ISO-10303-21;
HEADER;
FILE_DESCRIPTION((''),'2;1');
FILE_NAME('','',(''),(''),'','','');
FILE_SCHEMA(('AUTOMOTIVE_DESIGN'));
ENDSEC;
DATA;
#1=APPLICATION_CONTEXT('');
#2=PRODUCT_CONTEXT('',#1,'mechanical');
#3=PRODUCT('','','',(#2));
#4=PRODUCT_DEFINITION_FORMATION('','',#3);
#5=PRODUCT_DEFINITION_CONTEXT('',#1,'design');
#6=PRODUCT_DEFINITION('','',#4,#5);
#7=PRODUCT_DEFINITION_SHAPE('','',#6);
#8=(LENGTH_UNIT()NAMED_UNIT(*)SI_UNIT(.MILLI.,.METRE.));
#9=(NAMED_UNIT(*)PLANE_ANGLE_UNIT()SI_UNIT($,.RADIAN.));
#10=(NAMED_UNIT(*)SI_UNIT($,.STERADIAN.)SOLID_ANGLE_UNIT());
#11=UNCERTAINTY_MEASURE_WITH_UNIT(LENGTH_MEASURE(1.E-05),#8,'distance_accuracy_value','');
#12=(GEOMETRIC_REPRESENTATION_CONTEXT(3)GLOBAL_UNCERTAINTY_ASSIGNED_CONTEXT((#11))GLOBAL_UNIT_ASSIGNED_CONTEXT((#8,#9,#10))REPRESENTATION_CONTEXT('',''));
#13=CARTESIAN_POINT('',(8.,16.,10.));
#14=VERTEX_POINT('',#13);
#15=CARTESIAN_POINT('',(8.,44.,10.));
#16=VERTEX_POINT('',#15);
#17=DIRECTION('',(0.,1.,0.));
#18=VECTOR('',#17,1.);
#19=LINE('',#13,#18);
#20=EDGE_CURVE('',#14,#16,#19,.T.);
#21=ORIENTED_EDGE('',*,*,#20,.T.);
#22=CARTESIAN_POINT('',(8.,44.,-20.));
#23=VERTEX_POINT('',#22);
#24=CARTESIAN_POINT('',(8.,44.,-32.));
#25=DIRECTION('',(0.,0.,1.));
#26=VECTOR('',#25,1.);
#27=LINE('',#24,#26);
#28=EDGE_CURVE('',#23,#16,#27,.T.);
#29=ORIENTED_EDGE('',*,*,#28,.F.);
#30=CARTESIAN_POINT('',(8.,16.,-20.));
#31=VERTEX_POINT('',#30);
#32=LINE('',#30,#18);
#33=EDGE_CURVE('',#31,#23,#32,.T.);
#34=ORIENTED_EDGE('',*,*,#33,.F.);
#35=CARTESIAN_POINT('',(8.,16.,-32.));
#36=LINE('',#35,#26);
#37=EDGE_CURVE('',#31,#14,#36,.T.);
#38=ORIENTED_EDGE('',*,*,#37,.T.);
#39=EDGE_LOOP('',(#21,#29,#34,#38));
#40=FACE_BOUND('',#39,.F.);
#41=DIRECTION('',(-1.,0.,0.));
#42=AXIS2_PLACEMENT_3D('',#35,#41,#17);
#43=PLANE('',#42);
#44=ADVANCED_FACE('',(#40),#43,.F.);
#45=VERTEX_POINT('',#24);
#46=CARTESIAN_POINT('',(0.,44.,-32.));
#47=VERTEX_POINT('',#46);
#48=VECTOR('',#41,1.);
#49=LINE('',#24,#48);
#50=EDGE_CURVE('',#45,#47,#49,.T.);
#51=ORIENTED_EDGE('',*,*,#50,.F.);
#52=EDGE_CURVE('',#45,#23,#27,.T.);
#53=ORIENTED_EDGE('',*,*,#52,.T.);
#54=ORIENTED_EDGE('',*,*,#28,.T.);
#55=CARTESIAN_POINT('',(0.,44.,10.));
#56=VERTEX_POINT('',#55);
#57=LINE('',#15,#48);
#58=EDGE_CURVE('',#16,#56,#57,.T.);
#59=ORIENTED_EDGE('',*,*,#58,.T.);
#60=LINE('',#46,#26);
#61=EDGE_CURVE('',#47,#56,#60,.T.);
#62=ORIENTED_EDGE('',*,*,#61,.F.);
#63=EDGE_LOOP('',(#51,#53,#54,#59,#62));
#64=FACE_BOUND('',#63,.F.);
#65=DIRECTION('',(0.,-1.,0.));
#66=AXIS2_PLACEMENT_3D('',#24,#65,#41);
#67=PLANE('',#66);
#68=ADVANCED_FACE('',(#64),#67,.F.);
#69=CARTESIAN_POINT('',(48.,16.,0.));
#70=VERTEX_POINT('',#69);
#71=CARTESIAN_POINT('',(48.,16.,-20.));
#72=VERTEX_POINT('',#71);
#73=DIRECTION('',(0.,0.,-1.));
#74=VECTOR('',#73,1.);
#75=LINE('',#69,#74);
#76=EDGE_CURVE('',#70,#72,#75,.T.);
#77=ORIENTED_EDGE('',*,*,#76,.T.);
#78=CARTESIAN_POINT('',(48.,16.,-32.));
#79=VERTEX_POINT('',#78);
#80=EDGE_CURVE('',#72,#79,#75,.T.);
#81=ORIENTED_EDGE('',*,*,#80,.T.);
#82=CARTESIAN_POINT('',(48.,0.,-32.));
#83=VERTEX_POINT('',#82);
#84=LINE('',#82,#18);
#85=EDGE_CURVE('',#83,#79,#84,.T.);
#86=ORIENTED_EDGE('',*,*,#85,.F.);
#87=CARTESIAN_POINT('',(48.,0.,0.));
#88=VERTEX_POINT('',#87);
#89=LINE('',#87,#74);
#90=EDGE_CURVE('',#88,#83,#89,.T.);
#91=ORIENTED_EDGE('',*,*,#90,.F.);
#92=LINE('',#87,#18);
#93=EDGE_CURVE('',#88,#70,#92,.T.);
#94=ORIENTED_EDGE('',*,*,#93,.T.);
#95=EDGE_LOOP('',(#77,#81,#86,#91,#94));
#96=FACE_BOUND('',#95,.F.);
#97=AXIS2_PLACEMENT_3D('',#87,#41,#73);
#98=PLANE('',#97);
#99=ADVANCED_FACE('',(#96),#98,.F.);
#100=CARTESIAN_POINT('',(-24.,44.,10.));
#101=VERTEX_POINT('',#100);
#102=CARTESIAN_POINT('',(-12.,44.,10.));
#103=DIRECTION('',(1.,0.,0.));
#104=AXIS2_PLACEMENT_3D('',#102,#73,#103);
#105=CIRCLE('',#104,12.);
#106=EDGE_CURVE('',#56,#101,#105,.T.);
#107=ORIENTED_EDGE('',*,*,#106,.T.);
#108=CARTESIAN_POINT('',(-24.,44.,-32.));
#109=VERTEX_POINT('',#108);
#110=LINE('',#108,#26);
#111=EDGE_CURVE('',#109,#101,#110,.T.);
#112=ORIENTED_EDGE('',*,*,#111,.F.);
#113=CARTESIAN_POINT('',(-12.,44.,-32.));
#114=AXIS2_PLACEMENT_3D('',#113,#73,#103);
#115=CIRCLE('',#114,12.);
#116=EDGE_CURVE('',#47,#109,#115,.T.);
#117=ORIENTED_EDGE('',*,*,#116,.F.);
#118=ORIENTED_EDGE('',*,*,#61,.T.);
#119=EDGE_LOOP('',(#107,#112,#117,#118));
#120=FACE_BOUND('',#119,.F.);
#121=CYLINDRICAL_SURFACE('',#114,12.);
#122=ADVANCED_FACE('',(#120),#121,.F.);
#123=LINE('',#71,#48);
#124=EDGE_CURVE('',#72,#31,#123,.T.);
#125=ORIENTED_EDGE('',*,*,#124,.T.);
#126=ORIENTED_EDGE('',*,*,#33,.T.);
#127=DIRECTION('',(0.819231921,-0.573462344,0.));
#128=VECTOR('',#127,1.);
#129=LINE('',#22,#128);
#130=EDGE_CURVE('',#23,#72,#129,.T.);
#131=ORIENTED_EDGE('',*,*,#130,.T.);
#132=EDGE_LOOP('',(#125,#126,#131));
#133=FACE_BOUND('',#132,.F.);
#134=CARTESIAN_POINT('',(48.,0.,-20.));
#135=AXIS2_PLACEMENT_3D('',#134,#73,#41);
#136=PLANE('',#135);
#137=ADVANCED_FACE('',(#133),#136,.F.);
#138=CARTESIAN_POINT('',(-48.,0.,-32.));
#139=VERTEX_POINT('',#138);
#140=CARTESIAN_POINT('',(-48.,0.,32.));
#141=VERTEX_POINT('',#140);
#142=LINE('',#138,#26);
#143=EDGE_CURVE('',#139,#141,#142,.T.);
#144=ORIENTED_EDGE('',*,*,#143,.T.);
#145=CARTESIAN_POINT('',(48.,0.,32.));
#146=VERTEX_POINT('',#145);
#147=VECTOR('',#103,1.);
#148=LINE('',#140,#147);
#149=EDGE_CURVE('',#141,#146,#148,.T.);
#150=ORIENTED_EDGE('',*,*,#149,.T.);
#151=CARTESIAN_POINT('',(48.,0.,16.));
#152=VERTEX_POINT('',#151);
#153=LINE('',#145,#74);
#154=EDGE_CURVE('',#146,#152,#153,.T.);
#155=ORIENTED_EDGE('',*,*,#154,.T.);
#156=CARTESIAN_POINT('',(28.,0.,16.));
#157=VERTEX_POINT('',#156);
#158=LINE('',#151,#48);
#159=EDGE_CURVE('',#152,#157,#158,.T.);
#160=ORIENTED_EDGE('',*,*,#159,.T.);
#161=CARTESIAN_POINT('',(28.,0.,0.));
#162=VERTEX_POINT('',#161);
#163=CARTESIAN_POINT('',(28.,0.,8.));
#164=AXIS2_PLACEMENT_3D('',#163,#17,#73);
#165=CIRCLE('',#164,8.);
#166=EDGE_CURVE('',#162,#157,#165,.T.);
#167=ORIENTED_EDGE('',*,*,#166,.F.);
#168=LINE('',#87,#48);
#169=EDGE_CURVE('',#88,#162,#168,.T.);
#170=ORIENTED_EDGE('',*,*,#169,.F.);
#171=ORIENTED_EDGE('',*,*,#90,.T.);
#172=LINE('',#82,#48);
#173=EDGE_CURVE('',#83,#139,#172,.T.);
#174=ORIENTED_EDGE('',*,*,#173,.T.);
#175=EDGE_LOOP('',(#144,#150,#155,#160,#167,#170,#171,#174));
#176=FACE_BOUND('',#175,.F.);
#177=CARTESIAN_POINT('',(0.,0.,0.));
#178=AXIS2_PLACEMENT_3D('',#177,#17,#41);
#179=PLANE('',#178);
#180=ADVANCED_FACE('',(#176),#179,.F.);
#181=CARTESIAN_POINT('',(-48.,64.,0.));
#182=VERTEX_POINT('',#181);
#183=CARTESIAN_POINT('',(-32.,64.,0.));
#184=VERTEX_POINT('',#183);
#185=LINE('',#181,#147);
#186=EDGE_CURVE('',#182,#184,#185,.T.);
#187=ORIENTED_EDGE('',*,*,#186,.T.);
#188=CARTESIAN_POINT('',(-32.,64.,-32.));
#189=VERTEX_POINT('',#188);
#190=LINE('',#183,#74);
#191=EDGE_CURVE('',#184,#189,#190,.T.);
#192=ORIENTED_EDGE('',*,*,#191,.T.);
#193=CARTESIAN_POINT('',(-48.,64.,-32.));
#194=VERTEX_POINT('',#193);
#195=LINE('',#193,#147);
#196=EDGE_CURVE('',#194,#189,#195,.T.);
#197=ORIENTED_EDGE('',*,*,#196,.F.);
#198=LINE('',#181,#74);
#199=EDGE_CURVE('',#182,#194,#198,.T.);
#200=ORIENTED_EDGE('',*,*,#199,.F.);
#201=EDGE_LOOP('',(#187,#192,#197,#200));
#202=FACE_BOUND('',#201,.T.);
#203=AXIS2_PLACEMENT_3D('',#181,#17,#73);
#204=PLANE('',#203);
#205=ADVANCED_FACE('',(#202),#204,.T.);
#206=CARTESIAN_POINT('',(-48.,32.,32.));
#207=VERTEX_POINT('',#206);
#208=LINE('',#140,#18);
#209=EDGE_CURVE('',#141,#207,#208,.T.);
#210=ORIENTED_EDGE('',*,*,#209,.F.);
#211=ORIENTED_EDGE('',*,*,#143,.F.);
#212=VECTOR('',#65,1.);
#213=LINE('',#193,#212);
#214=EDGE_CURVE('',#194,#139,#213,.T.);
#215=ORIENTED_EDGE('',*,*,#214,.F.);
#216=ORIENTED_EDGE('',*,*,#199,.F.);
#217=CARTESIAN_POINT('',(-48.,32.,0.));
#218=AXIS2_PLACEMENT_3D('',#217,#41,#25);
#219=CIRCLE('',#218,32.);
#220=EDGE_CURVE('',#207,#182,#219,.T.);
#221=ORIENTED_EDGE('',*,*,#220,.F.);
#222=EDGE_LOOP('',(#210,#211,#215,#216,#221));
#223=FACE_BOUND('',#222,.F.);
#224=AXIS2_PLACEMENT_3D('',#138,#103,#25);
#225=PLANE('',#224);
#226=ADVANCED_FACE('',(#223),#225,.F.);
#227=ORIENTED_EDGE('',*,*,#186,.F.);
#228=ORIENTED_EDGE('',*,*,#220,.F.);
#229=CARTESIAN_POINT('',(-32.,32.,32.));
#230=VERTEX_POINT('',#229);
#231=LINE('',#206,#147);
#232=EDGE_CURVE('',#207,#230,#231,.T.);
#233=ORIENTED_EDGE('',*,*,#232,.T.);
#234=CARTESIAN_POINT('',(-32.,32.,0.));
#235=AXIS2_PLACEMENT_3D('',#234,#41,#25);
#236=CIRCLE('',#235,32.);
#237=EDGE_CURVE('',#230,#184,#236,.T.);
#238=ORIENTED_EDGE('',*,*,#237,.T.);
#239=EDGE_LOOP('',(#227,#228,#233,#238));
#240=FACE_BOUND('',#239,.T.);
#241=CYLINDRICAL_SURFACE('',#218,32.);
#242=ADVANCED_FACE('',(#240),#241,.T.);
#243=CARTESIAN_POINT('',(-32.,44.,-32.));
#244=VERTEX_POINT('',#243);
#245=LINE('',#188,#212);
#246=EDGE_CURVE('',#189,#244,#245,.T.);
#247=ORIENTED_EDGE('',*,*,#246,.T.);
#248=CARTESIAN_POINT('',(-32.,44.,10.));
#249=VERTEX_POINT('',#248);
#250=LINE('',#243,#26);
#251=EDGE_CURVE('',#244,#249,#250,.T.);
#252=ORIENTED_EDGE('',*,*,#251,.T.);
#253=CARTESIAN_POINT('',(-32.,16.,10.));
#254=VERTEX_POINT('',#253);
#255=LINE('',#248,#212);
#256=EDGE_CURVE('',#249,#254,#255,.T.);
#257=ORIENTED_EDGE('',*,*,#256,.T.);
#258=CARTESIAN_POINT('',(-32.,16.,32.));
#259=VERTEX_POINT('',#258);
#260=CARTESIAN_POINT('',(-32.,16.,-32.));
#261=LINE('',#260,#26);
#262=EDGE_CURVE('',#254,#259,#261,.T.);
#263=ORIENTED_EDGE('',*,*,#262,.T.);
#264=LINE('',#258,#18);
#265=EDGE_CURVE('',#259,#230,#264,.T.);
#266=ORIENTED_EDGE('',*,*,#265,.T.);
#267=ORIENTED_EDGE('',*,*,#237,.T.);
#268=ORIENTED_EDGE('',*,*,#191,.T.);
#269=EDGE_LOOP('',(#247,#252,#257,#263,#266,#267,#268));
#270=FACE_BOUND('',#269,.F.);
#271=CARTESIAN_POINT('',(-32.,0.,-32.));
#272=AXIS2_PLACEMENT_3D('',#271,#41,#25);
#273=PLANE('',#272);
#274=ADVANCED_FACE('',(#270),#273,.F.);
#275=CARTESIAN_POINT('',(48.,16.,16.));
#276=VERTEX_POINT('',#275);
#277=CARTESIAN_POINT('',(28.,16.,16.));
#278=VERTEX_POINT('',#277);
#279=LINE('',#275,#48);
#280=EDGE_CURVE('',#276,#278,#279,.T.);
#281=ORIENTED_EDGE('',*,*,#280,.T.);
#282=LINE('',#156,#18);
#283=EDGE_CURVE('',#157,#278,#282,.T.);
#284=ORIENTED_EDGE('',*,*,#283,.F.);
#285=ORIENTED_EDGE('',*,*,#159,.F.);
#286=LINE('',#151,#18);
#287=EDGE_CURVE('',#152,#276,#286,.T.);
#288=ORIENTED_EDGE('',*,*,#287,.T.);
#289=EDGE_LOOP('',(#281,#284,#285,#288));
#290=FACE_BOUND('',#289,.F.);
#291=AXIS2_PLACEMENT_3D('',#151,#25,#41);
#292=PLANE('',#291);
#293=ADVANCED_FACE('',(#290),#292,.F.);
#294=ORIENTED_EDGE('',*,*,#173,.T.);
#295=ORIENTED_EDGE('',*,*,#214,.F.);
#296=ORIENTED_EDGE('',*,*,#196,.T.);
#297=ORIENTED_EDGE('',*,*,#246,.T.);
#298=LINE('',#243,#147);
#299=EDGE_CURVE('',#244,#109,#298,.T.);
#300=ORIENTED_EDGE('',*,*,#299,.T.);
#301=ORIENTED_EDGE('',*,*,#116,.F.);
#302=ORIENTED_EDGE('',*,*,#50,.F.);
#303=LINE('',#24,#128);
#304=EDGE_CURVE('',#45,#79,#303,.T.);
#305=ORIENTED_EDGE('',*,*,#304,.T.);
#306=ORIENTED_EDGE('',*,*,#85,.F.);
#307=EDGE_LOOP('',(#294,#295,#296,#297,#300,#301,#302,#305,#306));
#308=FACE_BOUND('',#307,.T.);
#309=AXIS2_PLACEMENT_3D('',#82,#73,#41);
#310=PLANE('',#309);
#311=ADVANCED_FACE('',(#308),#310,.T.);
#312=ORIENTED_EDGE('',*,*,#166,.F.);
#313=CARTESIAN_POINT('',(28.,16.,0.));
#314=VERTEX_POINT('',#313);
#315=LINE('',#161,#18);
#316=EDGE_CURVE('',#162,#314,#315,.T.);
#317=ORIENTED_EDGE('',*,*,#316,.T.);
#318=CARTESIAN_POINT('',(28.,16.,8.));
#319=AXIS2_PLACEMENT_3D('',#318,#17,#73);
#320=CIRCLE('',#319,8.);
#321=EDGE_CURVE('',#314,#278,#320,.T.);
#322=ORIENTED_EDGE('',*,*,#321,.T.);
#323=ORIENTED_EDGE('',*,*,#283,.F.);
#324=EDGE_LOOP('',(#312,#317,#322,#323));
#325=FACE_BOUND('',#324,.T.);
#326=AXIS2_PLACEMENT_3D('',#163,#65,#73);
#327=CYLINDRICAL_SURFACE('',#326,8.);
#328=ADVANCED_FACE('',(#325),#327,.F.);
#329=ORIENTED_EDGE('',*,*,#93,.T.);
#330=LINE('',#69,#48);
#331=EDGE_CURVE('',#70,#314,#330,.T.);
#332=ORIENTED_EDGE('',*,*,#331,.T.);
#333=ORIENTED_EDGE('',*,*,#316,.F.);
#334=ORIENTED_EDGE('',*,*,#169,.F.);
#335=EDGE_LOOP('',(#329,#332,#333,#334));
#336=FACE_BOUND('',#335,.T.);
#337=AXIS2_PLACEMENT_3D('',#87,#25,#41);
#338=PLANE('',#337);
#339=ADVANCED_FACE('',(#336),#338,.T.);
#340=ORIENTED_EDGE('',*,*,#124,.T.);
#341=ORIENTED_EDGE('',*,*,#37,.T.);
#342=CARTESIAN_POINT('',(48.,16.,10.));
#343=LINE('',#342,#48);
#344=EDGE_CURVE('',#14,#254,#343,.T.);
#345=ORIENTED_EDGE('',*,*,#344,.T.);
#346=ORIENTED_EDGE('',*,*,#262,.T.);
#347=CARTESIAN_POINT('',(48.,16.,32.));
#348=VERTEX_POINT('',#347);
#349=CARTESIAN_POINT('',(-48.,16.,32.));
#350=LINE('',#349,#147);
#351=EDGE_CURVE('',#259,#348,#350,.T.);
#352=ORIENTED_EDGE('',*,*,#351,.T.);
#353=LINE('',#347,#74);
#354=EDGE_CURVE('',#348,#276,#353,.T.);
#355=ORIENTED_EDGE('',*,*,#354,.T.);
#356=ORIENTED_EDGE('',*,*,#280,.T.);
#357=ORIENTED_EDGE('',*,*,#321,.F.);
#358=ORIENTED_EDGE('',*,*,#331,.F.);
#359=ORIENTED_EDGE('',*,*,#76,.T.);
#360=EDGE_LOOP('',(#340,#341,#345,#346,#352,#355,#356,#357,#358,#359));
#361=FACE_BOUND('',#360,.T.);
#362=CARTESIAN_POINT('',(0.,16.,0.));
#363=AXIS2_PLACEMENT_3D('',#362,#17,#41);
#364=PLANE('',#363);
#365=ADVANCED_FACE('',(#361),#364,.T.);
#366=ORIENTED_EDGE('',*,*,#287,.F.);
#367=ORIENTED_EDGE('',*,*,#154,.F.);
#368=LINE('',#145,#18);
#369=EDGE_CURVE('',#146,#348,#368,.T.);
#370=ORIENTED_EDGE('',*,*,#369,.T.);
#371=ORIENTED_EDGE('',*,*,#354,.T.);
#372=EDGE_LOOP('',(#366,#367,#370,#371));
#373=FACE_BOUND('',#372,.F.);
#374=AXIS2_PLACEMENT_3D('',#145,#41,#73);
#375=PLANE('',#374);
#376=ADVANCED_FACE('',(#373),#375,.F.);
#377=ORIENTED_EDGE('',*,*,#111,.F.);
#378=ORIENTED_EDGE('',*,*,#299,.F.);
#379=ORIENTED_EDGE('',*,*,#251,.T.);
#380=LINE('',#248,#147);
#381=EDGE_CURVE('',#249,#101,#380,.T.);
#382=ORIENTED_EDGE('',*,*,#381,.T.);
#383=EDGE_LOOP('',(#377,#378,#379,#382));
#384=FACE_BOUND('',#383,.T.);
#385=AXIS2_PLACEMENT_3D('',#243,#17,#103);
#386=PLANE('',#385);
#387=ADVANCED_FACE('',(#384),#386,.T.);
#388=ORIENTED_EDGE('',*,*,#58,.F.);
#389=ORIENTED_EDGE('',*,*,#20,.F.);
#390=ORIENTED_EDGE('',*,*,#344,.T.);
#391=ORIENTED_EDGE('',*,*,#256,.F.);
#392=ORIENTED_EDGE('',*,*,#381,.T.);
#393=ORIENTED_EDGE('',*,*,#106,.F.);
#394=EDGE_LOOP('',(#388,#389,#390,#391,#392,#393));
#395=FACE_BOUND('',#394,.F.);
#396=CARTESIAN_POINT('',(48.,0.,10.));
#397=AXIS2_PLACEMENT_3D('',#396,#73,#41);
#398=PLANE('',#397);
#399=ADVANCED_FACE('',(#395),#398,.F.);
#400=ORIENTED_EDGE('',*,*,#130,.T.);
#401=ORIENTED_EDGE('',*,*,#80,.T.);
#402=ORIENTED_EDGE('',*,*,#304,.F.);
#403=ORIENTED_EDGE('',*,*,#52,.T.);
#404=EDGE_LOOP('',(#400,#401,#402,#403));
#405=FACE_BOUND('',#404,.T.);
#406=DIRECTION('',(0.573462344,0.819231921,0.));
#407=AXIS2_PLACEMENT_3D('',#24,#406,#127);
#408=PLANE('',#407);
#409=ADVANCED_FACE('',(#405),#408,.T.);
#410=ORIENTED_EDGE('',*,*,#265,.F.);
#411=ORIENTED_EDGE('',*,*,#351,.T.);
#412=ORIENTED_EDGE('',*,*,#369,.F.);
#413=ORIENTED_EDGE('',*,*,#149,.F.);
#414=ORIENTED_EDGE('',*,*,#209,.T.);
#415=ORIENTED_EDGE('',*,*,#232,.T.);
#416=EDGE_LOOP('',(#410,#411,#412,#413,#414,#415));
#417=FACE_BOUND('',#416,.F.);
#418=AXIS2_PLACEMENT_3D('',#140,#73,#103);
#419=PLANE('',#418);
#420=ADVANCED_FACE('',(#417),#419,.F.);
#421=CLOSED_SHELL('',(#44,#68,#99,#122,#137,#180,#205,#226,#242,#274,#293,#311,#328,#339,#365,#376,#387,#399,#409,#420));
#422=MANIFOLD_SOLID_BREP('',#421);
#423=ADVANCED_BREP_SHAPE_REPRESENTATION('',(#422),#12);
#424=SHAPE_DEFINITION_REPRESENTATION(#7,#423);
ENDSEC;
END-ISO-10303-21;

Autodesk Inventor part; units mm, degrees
ref_plane "YZ Plane" through (0, 0, 0) normal (1, 0, 0) x (0, 1, 0)
ref_plane "XZ Plane" through (0, 0, 0) normal (0, 1, 0) x (-1, 0, 0)
ref_plane "XY Plane" through (0, 0, 0) normal (0, 0, 1) x (1, 0, 0)
sketch "Náčrt1" plane through (0, 0, 0) normal (0, 1, 0) x (-1, 0, 0)
  line L0 (48, 32) -> (-48, 32)
  line L1 (-48, -32) -> (48, -32)
  line L2 (48, -32) -> (48, 32)
  line L3 (48, 32) -> (-48, -32) construction
  line L4 (-48, 32) -> (48, -32) construction
  line L5 (-48, 32) -> (-48, 16)
  line L6 (-48, 16) -> (-28, 16)
  line L7 (-48, 0) -> (-48, -32)
  line L8 (-48, 0) -> (-28, 0)
  arc A0 (-28, 0) -> (-28, 16) centre (-28, 8) ccw
  point P0 (0, 0)
  dimension "d0" = 96
  dimension "d1" = 16
  dimension "d2" = 20
  dimension "d3" = 16
  dimension "d4" = 8
  dimension "d5" = 64
  dimension "d6" = 8
  dimension "d9" = 76
  dimension "d10" = 76
extrude "Vysunutí1" add sketch "Náčrt1" along normal blind 16
sketch "Náčrt3" plane through (-48, 0, -32) normal (-1, 0, 0) x (0, 0, 1)
  line L0 (32, 16) -> (0, 16) projected
  line L1 (0, 16) -> (64, 16)
  line L2 (64, 16) -> (64, 32)
  line L3 (32, 64) -> (0, 64)
  line L4 (0, 64) -> (0, 16)
  arc A0 (64, 32) -> (32, 64) centre (32, 32) ccw
  point P0 (32, 0)
  point P1 (64, 64)
  dimension "d13" = 48
  dimension "d14" = 64
  dimension "d15" = 32
extrude "Vysunutí2" add sketch "Náčrt3" against normal blind 16
sketch "Náčrt4" plane through (48, 0, -32) normal (0, 0, -1) x (-1, 0, 0)
  line L0 (0, 16) -> (80, 16) projected
  line L1 (80, 16) -> (40, 16)
  line L2 (40, 16) -> (40, 44)
  line L3 (80, 44) -> (80, 16)
  line L4 (40, 44) -> (48, 44)
  line L5 (80, 44) -> (72, 44)
  arc A0 (48, 44) -> (72, 44) centre (60, 44) ccw
  point P0 (48, 0)
  dimension "d18" = 28
  dimension "d19" = 40
  dimension "d20" = 8
  dimension "d21" = 12
  dimension "d22" = 12
  dimension "d23" = 8
  dimension "d24" = 28
extrude "Vysunutí3" add sketch "Náčrt4" against normal blind 42
sketch "Náčrt5" plane through (48, 0, -32) normal (0, 0, -1) x (-1, 0, 0)
  line L0 (40, 44) -> (0, 16)
  line L1 (0, 16) -> (40, 16)
  line L2 (40, 16) -> (40, 44)
  point P0 (48, 0)
extrude "Vysunutí4" add sketch "Náčrt5" against normal blind 12
properties part number "1"
